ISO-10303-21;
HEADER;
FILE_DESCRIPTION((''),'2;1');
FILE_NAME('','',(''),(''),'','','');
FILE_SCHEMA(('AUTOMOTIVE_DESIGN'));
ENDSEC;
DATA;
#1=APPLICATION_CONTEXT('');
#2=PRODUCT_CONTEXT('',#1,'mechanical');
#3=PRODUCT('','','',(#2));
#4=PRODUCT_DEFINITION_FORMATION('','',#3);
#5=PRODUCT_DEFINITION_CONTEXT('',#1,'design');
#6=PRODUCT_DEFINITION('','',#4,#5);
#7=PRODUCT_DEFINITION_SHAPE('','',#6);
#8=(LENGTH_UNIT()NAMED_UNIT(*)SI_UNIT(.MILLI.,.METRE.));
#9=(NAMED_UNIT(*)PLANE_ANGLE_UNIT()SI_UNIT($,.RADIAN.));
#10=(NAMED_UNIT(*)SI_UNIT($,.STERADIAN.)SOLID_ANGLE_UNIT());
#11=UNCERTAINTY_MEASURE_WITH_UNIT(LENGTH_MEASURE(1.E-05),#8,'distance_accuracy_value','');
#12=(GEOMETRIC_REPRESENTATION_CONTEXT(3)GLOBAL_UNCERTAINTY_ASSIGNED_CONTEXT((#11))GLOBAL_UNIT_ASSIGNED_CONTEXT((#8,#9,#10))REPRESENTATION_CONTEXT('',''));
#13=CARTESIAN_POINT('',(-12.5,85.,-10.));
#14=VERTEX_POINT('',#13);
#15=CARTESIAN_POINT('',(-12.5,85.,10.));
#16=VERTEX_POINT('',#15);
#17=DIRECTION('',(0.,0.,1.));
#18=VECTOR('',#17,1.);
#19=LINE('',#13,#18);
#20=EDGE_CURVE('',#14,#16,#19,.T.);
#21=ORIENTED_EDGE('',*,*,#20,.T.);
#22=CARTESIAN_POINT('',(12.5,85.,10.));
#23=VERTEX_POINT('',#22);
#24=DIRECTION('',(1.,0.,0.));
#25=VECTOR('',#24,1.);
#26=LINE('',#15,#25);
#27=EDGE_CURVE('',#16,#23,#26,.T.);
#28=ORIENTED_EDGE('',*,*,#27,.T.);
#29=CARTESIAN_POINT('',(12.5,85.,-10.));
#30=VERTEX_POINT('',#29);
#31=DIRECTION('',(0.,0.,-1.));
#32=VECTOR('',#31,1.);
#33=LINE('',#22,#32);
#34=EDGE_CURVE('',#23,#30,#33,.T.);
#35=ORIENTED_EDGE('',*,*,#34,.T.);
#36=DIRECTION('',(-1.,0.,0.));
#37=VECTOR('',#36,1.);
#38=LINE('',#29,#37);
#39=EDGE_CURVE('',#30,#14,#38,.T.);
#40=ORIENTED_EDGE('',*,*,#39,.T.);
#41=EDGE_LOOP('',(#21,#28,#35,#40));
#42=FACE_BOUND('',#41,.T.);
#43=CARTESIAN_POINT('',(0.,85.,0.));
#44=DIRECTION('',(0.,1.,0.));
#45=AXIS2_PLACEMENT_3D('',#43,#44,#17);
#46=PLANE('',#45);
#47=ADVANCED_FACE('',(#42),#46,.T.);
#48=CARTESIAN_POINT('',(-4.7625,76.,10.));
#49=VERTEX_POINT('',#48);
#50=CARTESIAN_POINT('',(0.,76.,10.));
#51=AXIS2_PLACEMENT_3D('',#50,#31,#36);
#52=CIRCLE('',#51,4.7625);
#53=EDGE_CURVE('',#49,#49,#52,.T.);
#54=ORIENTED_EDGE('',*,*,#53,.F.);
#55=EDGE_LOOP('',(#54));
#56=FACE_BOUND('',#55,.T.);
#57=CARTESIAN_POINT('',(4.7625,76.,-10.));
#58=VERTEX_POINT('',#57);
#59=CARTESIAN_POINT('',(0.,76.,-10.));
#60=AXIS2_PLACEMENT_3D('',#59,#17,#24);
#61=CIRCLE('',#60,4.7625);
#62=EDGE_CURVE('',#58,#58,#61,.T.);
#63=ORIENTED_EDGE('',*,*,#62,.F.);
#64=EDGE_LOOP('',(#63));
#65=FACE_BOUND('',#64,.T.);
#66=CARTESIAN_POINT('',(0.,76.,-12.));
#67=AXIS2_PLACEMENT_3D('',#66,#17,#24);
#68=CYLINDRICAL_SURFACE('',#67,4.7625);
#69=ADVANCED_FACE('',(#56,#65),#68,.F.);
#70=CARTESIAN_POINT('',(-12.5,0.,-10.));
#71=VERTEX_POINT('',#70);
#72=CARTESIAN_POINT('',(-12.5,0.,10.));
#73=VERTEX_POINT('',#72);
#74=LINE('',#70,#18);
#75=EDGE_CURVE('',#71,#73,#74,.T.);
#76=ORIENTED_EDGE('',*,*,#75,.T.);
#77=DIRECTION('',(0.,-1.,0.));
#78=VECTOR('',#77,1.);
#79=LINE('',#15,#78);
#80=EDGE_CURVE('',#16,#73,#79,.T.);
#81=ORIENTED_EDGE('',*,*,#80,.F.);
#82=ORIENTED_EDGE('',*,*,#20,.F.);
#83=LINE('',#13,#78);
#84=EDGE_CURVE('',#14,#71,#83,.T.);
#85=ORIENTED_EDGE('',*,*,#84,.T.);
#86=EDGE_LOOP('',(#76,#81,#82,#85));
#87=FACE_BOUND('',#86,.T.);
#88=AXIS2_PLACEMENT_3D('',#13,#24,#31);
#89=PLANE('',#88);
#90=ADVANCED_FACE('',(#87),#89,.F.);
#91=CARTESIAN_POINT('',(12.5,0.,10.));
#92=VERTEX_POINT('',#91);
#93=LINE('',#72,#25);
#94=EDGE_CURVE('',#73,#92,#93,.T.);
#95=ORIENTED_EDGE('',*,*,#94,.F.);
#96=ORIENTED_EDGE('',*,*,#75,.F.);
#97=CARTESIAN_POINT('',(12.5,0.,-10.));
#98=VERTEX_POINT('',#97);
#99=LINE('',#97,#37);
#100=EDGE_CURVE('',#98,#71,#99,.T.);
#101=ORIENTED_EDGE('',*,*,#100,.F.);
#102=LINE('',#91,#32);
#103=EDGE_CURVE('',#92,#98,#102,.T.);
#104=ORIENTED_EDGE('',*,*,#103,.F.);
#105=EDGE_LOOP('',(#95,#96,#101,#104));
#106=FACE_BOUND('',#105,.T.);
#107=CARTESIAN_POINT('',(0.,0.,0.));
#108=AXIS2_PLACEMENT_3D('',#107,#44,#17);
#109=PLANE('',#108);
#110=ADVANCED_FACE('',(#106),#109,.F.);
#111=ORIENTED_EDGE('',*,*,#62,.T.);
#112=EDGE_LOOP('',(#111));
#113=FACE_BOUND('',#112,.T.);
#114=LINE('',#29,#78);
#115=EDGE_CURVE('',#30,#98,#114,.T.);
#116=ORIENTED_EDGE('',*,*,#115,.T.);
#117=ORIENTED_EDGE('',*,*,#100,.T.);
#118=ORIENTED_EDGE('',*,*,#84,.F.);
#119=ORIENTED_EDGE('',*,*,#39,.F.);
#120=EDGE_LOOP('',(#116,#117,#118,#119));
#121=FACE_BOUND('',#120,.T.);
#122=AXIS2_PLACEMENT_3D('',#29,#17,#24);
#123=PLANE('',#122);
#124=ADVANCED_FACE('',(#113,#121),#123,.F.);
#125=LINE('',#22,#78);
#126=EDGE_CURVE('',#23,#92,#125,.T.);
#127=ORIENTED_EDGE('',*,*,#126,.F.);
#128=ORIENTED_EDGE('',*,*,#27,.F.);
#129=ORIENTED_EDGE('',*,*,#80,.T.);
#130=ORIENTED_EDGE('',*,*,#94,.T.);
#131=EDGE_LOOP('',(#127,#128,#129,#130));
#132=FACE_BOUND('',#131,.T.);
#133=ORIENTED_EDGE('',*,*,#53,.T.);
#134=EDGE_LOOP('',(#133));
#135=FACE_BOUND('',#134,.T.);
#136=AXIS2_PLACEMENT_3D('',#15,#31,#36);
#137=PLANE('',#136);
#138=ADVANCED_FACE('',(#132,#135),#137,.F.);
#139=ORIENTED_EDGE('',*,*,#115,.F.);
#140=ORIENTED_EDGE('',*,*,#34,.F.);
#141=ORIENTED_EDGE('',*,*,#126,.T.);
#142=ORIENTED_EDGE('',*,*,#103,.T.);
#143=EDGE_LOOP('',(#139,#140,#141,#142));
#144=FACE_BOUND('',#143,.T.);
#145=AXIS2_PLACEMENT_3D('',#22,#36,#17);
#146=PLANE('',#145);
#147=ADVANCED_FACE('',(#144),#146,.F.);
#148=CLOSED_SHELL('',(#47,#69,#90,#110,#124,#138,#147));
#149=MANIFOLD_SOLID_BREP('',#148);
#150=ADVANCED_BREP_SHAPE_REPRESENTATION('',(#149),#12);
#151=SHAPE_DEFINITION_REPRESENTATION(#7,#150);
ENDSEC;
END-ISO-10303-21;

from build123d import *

# Parameters (mm, degrees)
SKETCH1_W           = 25
SKETCH1_H           = 20
BOSS_EXTRUDE1_DEPTH = 85
SKETCH2_R           = 4.7625
CUT_EXTRUDE1_DEPTH  = 12


with BuildPart() as part:
    # Sketch1 → Boss-Extrude1 (new body)
    with BuildSketch(Plane(origin=(0, 0, 0), x_dir=(1, 0, 0), z_dir=(0, 1, 0))):
        Rectangle(SKETCH1_W, SKETCH1_H)
    extrude(amount=BOSS_EXTRUDE1_DEPTH)

    # Sketch2 → Cut-Extrude1 (cut, symmetric)
    with BuildSketch(Plane.XY):
        with Locations((0, 76)):
            Circle(SKETCH2_R)
    extrude(amount=CUT_EXTRUDE1_DEPTH, both=True, mode=Mode.SUBTRACT)


solid = part.part
